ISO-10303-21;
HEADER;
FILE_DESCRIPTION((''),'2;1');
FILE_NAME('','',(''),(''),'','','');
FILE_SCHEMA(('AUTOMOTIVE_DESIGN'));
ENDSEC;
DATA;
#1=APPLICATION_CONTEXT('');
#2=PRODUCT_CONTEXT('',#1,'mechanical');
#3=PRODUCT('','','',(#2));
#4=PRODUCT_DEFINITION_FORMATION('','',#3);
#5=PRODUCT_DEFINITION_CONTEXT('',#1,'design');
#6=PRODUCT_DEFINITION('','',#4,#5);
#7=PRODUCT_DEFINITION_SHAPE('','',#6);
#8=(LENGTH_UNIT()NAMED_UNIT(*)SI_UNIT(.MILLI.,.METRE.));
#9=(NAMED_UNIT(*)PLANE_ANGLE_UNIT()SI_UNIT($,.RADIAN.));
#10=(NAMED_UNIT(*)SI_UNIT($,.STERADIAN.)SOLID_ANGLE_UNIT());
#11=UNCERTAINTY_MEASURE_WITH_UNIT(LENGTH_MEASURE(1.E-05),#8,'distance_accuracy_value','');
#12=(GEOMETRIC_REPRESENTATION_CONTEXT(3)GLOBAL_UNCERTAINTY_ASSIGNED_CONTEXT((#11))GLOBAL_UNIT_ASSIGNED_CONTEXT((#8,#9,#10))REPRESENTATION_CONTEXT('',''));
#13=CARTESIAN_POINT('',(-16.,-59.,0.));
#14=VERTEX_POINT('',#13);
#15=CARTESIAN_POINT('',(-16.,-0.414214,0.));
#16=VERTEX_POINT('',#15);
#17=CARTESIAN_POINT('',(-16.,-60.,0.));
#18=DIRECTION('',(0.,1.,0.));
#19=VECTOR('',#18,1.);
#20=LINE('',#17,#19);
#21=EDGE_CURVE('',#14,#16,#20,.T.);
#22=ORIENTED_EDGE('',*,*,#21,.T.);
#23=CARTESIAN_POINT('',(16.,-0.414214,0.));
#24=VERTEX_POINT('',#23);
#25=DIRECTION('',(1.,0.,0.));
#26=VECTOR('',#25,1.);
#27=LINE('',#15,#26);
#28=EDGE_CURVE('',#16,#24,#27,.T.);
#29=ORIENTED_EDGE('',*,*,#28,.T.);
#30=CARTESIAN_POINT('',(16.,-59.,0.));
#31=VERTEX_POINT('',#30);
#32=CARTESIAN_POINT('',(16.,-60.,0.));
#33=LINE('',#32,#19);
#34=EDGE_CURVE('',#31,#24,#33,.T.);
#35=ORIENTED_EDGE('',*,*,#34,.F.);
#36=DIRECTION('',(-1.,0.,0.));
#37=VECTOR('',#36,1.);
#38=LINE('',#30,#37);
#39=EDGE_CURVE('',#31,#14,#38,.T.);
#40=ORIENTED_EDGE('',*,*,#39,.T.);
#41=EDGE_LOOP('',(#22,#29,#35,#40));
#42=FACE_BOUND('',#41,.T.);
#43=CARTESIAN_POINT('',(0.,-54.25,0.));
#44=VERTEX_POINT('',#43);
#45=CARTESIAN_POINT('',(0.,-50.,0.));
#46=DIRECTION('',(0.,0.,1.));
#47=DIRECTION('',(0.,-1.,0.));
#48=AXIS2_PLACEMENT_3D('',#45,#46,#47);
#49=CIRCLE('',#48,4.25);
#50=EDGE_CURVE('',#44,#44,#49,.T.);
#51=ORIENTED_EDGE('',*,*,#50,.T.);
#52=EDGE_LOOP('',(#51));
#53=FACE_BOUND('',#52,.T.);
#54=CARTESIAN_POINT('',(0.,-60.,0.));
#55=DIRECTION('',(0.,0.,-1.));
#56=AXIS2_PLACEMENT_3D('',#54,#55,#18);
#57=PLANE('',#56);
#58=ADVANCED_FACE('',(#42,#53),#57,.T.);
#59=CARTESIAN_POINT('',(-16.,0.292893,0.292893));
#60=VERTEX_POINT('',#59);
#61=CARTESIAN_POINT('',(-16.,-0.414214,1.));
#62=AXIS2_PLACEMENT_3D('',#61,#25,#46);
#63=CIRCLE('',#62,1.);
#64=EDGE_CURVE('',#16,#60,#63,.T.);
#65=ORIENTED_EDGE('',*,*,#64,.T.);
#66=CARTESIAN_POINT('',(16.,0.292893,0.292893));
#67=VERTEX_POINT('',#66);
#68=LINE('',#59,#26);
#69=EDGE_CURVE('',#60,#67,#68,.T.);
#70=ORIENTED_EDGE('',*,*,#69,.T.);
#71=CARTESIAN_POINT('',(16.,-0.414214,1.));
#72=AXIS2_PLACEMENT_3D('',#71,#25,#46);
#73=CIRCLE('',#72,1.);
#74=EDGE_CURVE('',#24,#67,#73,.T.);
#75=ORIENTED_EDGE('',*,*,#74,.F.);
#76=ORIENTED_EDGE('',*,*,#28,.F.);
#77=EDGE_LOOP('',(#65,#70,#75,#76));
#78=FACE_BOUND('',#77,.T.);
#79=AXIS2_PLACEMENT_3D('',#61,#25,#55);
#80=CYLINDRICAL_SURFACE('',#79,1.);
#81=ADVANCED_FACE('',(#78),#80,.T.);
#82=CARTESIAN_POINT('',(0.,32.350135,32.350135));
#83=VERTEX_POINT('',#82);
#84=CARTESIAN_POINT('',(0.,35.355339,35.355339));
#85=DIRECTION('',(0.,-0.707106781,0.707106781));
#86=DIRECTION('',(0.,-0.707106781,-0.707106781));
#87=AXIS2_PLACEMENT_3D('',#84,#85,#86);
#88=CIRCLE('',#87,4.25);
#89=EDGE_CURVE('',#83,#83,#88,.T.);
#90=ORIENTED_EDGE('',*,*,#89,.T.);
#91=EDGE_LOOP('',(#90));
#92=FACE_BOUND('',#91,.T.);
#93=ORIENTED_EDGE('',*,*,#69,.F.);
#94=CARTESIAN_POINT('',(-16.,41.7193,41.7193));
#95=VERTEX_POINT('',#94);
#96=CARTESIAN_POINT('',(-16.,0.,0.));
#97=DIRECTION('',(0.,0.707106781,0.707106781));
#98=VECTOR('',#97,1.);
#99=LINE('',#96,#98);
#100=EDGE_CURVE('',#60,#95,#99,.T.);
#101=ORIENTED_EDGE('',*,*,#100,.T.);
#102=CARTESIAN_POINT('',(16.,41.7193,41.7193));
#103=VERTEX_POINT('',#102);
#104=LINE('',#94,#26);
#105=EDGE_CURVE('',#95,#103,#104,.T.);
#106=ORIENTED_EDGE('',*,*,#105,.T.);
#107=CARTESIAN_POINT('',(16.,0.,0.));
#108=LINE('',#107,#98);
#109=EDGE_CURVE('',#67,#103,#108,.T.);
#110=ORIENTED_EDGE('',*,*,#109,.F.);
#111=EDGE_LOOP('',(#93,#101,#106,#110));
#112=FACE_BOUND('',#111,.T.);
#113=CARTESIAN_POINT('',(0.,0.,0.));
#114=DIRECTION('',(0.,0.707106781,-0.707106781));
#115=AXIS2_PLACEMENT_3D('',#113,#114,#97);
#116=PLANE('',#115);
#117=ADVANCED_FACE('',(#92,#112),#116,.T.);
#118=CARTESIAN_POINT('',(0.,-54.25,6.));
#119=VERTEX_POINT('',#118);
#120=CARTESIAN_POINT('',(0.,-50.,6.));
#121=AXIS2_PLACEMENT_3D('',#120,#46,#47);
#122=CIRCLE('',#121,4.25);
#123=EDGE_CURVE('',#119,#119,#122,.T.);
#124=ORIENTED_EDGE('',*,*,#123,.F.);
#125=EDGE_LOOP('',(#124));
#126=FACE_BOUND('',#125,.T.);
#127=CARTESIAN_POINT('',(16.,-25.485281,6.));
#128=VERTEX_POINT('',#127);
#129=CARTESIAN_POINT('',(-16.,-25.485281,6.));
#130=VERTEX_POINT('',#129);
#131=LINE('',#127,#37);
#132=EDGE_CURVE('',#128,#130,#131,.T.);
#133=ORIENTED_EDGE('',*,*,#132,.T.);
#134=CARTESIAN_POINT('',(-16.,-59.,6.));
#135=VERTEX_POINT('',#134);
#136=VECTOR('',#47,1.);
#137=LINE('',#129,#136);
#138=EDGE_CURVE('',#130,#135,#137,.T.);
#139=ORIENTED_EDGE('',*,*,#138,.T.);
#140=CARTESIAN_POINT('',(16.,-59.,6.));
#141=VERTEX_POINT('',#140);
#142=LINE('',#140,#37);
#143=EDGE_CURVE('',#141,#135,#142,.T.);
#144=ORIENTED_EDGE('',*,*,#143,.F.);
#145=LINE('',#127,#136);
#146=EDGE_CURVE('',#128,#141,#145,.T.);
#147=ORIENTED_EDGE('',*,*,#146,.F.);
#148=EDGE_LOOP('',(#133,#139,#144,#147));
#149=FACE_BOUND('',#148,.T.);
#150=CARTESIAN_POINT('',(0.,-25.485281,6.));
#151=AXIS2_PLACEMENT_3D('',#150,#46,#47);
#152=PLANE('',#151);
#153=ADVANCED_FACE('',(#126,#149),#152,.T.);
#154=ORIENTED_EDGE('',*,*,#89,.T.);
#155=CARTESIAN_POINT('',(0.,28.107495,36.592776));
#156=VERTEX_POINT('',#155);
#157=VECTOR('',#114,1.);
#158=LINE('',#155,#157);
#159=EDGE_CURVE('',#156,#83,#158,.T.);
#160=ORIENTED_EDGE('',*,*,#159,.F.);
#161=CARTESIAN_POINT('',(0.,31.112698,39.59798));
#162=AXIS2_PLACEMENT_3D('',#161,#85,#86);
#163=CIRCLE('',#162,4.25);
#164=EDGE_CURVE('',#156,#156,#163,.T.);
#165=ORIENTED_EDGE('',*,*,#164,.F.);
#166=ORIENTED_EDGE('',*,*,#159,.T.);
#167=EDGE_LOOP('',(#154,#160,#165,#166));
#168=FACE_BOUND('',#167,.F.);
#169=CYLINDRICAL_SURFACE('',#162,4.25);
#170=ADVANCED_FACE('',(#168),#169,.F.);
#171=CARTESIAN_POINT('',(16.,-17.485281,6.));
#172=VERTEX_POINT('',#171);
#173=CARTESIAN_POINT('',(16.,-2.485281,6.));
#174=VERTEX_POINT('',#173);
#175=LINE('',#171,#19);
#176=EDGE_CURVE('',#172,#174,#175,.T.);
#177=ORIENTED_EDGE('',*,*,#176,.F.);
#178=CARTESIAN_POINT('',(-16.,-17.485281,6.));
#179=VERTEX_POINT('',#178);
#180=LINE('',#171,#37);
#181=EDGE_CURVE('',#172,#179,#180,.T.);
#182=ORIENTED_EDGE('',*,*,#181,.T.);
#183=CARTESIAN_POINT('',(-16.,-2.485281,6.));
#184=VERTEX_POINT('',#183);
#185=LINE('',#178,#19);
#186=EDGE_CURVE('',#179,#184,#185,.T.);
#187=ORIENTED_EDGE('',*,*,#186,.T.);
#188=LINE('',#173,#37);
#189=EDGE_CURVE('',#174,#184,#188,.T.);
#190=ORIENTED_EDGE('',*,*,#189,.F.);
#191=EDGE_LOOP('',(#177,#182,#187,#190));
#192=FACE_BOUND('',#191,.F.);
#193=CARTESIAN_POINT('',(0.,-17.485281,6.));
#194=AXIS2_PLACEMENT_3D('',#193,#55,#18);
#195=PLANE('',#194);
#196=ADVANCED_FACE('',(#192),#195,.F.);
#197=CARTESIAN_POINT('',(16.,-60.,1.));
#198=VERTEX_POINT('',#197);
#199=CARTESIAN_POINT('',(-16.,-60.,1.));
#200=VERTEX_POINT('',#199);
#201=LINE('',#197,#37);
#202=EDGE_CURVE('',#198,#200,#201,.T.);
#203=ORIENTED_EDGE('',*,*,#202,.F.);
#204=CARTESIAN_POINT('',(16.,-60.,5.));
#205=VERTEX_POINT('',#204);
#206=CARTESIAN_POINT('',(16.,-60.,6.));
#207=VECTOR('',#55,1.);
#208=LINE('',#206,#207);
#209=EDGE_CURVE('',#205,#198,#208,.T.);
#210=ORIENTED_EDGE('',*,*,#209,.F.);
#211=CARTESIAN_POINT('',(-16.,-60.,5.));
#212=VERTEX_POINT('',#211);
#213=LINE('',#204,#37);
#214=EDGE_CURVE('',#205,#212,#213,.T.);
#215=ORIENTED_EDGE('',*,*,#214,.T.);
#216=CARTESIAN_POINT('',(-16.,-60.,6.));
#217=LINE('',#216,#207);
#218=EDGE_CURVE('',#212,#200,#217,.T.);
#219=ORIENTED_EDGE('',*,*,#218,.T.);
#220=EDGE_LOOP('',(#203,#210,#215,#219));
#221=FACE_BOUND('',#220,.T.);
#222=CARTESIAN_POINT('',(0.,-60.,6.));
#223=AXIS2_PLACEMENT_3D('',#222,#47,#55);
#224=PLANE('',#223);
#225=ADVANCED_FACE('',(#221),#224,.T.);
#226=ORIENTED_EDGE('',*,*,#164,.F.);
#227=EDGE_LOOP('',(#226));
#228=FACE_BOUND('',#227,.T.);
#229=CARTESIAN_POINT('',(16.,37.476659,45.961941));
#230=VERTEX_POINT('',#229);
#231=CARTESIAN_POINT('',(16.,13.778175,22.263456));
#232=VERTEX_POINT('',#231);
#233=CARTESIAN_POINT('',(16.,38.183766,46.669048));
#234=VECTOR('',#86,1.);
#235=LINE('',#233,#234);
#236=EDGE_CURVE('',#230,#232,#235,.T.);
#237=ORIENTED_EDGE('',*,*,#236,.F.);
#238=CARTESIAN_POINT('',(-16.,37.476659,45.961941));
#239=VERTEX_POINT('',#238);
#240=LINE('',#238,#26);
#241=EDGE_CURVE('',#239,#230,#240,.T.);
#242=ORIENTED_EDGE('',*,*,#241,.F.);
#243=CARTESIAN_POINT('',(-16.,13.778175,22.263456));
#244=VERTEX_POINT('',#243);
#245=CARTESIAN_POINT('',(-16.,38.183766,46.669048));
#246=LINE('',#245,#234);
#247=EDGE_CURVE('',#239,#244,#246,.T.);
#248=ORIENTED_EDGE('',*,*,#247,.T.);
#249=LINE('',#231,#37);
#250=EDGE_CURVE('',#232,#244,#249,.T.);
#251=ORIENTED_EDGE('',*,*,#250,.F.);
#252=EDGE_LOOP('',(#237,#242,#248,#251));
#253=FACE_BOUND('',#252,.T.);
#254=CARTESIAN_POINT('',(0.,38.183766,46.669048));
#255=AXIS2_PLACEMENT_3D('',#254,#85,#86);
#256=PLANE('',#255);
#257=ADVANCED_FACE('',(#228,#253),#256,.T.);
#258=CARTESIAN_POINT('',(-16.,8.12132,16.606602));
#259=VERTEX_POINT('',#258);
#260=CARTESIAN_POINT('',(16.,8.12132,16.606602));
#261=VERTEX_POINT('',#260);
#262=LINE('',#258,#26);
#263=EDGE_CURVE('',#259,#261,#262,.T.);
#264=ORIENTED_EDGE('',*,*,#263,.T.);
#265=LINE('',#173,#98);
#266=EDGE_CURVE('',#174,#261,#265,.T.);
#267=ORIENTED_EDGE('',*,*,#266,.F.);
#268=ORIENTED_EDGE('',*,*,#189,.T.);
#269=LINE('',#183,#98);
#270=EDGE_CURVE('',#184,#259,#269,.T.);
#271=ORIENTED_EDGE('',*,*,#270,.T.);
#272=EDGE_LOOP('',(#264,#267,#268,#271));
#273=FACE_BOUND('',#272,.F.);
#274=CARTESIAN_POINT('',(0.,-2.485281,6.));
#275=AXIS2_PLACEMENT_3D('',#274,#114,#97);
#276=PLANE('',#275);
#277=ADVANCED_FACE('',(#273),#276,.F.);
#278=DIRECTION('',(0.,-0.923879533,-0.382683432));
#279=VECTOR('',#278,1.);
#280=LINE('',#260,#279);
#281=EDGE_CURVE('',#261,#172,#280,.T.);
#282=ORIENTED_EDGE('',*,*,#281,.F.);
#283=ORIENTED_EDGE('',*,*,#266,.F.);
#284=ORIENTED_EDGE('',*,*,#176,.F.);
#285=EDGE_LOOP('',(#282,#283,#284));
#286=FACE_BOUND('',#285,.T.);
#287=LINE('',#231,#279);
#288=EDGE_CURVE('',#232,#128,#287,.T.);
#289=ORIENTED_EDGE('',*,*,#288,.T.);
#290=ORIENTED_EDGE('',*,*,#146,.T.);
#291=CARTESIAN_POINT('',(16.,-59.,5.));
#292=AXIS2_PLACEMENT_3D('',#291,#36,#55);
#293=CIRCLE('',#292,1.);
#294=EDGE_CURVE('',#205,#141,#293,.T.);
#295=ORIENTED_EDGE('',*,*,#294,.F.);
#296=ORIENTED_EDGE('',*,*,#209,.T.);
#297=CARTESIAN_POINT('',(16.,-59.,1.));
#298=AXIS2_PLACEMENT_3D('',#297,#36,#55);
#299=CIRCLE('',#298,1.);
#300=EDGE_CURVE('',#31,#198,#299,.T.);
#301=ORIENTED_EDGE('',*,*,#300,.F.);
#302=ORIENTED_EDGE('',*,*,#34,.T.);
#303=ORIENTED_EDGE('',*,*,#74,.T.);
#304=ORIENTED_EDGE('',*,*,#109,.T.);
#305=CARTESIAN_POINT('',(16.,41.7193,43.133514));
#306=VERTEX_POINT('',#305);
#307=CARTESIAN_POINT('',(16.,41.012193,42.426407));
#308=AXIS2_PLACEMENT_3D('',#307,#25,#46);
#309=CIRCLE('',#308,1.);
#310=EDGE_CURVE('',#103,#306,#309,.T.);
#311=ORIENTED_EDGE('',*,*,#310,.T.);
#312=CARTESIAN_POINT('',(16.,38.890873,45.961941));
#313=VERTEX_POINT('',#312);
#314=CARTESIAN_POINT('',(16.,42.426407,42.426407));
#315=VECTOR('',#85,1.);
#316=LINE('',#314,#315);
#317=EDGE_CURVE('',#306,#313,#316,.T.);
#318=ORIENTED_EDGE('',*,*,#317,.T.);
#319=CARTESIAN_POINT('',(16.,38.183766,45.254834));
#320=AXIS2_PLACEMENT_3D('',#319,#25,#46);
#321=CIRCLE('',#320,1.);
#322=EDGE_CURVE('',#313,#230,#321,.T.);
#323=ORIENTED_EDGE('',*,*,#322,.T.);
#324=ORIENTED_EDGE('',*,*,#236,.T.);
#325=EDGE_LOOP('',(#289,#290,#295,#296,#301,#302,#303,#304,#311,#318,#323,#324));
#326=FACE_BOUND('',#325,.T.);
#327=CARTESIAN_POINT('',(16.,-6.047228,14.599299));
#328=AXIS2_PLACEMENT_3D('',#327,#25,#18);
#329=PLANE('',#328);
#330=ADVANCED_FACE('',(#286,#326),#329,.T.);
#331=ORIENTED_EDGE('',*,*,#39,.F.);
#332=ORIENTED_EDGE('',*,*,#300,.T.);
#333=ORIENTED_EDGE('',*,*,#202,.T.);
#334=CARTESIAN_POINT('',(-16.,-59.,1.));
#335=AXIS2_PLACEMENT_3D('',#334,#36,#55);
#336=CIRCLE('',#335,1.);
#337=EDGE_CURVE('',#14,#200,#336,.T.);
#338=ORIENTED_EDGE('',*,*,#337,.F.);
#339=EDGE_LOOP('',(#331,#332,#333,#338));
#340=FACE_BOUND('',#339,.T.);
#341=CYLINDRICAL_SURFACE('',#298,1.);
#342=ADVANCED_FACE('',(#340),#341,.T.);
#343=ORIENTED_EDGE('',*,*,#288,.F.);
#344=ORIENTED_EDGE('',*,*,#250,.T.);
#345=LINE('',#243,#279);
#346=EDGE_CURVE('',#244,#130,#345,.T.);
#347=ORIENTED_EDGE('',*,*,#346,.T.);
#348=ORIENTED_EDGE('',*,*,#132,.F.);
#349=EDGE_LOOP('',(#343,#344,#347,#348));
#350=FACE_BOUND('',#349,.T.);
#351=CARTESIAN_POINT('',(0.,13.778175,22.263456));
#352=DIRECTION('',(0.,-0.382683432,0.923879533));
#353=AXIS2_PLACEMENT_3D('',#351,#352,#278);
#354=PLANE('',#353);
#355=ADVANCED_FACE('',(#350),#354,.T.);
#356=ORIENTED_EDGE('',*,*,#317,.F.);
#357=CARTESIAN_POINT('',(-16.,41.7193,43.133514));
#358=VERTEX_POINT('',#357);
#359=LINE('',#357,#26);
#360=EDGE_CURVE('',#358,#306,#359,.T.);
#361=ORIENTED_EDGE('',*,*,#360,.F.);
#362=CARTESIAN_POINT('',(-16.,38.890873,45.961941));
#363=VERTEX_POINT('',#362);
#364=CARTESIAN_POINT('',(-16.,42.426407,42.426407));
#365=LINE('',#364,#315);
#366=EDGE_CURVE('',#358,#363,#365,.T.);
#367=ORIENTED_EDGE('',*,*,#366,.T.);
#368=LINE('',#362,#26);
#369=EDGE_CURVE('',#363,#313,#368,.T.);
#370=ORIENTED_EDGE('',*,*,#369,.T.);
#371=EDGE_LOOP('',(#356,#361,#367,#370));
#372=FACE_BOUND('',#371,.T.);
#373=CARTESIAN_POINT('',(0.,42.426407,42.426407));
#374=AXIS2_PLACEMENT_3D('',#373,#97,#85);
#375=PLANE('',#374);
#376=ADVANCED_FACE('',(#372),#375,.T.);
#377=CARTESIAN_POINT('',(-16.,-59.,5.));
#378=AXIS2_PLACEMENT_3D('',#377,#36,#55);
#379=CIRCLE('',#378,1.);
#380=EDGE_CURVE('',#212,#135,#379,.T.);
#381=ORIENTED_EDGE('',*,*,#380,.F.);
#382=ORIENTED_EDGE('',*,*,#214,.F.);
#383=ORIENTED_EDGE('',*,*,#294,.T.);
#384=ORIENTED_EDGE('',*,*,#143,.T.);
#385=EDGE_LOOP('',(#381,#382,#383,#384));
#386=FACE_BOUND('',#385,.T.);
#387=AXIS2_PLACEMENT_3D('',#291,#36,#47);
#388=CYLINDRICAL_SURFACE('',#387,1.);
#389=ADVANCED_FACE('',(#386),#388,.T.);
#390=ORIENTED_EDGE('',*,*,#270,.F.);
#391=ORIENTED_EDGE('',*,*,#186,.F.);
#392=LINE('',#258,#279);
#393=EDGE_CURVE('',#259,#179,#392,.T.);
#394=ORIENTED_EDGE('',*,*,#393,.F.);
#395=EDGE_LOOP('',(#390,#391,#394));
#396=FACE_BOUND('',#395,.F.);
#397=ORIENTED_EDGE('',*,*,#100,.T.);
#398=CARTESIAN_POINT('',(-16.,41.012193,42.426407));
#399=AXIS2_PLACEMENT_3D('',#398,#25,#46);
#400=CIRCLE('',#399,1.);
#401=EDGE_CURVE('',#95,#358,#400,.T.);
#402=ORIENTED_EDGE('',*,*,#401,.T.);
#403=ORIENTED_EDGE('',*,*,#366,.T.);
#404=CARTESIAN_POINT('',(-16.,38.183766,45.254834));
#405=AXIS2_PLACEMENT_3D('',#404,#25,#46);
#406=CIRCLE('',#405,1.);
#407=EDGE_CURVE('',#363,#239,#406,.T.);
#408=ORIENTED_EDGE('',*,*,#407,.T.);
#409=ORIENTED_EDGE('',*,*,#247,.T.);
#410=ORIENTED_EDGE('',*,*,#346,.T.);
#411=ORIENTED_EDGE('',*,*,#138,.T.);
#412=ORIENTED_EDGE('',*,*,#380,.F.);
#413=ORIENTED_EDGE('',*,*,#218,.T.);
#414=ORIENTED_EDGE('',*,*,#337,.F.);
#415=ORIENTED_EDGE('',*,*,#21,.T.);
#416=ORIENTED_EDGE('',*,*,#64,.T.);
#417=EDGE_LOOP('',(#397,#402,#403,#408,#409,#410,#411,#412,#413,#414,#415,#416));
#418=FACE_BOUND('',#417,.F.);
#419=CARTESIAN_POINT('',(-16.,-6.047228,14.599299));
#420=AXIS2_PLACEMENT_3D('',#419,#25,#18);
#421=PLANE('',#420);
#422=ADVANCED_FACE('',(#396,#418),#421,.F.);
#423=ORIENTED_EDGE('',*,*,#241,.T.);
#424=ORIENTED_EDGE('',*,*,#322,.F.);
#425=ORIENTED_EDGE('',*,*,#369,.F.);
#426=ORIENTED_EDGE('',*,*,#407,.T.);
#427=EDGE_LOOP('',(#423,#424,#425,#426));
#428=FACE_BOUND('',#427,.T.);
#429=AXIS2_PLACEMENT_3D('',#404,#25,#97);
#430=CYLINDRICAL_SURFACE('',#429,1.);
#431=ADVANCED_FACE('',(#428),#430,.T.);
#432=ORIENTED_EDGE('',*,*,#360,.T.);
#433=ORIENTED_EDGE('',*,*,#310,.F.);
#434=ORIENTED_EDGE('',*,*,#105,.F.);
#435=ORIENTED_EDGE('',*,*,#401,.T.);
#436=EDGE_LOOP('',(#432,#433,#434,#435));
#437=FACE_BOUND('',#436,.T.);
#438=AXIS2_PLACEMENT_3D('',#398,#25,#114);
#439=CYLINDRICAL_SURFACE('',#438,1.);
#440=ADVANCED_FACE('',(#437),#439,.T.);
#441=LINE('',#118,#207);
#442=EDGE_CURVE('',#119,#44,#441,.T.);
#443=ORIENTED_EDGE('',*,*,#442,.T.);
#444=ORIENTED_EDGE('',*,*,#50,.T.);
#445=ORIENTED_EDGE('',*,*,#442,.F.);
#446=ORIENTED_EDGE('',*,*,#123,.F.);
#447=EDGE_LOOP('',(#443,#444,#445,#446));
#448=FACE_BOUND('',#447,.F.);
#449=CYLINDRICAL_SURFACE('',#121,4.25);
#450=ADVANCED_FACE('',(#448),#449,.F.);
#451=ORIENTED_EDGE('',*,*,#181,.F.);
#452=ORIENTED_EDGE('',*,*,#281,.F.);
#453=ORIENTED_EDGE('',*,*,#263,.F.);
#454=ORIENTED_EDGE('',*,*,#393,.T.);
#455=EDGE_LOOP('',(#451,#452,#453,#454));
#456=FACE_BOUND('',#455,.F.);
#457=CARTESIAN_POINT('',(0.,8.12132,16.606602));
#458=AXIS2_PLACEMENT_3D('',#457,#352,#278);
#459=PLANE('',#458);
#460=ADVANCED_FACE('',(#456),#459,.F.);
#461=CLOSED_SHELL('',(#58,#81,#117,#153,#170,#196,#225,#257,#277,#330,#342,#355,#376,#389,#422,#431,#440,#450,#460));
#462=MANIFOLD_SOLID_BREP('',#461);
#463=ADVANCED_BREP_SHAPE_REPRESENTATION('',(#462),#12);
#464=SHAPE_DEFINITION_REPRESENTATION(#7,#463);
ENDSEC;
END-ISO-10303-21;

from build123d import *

# Parameters (mm, degrees)
PAD_DEPTH       = 16
SKETCH001_R     = 4.25
POCKET_DEPTH    = 6
SKETCH002_R     = 4.25
POCKET001_DEPTH = 6
FILLET_R        = 1


with BuildPart() as part:
    # Sketch → Pad (new body, symmetric)
    with BuildSketch(Plane.YZ):
        Polygon((-60, 0), (0, 0), (42.4264068712, 42.4264068712), (38.1837661841, 46.6690475583), (13.7781745931, 22.2634559673), (-25.4852813742, 6), (-60, 6), align=None)
        Polygon((8.1213203436, 16.6066017178), (-17.4852813742, 6), (-2.4852813742, 6), align=None, mode=Mode.SUBTRACT)
    extrude(amount=PAD_DEPTH, both=True)

    # Sketch001 (on Face6 of Pad) → Pocket (cut)
    with BuildSketch(Plane(origin=(0, 0, 6), x_dir=(0, -1, 0), z_dir=(0, 0, 1))):
        with Locations((50, 0)):
            Circle(SKETCH001_R)
    extrude(amount=-POCKET_DEPTH, mode=Mode.SUBTRACT)

    # Sketch002 (on Face9 of Pocket) → Pocket001 (cut)
    with BuildSketch(Plane(origin=(0, -4.2426406871, 4.2426406871), x_dir=(0, -0.7071067812, -0.7071067812), z_dir=(0, -0.7071067812, 0.7071067812))):
        with Locations((-50, 0)):
            Circle(SKETCH002_R)
    extrude(amount=-POCKET001_DEPTH, mode=Mode.SUBTRACT)

    # Fillet
    fillet_edges = [part.edges().sort_by_distance(p)[0] for p in [
        (0, 0, 0),
        (0, -60, 0),
        (0, -60, 6),
        (0, 38.183766, 46.669048),
        (0, 42.426407, 42.426407),
    ]]
    fillet(fillet_edges, radius=FILLET_R)


solid = part.part
